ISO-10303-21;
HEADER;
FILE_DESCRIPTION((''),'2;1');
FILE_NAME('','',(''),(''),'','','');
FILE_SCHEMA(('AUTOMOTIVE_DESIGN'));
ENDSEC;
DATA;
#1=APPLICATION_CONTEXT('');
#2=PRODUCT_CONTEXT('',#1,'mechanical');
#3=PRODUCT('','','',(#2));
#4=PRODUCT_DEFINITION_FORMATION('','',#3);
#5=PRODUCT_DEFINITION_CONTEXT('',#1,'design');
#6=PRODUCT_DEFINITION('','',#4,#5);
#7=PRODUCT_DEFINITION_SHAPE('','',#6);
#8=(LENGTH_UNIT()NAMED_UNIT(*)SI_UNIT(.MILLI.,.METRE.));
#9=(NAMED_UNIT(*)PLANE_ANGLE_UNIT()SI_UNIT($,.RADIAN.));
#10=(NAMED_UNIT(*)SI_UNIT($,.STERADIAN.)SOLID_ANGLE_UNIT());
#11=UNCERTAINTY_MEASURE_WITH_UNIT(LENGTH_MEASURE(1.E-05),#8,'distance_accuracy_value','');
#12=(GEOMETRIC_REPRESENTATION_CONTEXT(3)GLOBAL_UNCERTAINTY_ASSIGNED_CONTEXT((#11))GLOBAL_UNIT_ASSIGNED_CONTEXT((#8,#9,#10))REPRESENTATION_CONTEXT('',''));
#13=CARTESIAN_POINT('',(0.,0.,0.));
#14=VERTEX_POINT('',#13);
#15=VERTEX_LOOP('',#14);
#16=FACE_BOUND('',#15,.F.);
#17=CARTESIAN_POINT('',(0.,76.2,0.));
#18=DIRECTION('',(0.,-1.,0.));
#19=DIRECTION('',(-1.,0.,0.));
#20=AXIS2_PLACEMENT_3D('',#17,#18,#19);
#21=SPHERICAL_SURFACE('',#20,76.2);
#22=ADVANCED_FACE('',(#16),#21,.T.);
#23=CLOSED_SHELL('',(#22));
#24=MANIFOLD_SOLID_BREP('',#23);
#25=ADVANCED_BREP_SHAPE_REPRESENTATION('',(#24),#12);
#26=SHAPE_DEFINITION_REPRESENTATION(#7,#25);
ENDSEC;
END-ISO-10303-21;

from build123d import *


with BuildPart() as part:
    # Sketch1 → Revolve1 (revolve)
    with BuildSketch(Plane.XY):
        with BuildLine():
            Line((0, 0), (0, 152.4))
            ThreePointArc((0, 152.4), (-76.2, 76.2), (0, 0))
        make_face()
    revolve(axis=Axis((0, 0, 0), (0, 1, 0)))


solid = part.part
